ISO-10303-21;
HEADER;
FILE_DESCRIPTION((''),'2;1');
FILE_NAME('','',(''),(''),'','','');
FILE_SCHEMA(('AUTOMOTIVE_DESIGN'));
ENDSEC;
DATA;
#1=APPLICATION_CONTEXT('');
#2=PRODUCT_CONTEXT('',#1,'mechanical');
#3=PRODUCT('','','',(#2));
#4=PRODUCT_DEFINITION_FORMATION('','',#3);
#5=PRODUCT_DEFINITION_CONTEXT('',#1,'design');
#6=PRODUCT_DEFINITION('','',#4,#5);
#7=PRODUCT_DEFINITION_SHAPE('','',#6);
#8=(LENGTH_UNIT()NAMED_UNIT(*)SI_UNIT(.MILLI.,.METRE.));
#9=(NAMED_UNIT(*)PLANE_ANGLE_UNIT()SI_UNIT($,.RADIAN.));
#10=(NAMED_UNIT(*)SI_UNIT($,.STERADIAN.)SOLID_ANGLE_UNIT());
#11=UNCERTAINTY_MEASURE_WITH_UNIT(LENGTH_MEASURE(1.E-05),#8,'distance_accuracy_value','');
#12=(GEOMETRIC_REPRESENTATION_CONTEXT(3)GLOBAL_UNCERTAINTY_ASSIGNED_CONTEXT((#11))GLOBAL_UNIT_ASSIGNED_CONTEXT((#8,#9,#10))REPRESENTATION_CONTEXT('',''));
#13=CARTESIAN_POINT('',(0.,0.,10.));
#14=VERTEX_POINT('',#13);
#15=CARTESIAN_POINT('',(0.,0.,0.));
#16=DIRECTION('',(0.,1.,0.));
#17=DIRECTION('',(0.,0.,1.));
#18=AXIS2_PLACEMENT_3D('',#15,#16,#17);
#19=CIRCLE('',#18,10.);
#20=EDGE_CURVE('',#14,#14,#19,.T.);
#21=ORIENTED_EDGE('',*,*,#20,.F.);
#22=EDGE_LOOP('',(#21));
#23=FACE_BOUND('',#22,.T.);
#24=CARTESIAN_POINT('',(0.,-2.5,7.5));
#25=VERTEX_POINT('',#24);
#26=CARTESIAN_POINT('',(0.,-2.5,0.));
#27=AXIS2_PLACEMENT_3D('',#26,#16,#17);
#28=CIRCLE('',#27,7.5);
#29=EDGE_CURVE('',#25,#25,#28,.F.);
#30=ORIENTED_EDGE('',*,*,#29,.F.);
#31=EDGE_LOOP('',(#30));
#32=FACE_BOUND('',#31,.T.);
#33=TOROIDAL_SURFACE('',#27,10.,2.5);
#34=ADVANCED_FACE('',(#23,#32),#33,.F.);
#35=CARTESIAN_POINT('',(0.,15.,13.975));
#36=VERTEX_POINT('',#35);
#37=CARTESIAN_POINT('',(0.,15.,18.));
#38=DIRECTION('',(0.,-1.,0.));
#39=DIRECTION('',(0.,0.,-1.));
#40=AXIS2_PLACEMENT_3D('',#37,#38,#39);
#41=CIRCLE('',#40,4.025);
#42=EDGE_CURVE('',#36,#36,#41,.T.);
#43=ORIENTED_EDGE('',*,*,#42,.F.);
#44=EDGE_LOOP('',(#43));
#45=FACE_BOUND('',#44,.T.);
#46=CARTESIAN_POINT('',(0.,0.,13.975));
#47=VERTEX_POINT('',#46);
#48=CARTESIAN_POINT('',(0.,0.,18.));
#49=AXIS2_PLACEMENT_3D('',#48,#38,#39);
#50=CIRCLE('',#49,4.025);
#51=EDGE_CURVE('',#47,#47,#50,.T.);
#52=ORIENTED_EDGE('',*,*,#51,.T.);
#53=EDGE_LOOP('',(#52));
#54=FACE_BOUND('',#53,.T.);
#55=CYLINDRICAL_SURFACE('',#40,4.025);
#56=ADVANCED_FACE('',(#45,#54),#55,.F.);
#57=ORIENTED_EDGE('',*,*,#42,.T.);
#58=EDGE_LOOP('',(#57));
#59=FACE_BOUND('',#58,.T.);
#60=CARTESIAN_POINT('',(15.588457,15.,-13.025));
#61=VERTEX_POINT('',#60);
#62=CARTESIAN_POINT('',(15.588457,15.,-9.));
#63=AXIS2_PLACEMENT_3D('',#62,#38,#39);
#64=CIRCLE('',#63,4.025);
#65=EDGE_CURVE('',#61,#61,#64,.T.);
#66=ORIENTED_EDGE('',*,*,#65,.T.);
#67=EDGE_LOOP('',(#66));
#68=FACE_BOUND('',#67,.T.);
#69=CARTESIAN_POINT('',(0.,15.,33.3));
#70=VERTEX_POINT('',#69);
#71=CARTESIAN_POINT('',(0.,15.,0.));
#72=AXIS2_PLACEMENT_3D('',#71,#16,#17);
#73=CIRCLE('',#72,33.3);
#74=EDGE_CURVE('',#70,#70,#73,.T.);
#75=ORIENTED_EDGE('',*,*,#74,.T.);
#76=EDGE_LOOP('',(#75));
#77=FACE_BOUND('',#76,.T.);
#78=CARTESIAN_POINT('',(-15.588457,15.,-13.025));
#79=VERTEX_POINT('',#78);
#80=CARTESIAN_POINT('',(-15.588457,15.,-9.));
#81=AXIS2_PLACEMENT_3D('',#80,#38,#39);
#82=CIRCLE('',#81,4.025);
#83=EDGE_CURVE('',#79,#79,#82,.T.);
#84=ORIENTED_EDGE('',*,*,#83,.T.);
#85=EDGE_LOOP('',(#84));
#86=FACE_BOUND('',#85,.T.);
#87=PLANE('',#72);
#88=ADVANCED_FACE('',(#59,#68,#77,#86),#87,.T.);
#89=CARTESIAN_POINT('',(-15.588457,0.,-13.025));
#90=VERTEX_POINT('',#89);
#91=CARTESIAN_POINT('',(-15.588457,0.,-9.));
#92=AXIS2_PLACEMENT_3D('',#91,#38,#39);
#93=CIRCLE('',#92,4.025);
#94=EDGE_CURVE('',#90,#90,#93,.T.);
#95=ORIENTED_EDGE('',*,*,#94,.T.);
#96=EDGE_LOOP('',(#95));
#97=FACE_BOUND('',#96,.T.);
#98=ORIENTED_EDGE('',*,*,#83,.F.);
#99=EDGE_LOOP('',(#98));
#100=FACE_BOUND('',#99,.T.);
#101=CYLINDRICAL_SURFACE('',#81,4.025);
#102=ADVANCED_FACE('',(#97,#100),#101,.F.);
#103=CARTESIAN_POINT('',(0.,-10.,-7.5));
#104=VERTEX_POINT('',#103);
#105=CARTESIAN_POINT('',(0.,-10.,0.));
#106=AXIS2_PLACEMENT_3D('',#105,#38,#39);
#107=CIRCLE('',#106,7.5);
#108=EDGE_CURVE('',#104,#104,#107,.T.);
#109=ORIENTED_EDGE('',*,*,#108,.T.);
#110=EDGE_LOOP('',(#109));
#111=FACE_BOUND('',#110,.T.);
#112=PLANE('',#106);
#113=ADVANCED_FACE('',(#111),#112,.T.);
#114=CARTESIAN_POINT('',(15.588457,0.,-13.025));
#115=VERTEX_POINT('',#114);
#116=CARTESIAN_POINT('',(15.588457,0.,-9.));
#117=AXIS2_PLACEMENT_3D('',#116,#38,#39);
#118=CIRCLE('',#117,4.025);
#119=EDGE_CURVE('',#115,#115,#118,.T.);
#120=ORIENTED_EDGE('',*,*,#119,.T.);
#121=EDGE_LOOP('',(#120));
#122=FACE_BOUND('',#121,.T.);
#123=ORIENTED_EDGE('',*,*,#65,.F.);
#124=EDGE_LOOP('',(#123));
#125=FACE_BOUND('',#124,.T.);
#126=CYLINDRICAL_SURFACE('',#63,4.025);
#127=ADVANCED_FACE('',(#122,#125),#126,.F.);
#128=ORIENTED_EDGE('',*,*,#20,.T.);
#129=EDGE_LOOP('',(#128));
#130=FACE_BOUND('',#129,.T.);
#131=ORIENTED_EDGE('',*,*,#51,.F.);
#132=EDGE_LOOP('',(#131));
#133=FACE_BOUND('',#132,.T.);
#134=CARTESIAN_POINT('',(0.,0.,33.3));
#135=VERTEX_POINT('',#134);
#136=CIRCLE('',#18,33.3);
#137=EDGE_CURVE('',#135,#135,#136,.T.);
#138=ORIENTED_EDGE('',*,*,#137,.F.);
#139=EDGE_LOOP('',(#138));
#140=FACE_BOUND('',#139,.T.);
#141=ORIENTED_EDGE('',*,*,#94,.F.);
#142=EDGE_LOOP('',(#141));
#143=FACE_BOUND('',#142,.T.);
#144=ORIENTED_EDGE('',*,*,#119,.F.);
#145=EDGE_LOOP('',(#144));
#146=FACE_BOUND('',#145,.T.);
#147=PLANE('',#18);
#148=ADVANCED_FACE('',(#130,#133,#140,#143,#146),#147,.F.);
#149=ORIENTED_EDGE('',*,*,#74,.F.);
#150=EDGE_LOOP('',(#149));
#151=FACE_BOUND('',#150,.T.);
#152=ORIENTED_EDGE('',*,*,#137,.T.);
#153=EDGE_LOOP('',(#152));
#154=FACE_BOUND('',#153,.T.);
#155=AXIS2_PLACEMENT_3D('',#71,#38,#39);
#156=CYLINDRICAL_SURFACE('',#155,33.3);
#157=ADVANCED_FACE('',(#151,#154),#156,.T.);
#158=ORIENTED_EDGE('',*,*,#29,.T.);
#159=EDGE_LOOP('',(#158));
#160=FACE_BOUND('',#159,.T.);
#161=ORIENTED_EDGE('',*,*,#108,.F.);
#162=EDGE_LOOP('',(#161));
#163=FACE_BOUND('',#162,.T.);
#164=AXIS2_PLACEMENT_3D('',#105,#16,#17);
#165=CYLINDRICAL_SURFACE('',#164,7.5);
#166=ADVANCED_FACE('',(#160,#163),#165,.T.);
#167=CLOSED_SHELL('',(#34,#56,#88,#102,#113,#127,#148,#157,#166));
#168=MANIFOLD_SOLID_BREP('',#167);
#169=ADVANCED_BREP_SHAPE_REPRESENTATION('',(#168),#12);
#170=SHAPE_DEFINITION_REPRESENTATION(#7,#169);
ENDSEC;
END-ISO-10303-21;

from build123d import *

# Parameters (mm, degrees)
SKETCH4_R           = 33.3
BOSS_EXTRUDE2_DEPTH = 15
SKETCH5_R           = 4.025
CUT_EXTRUDE1_DEPTH  = 50.424487858
SKETCH6_R           = 7.5
BOSS_EXTRUDE3_DEPTH = 10
FILLET1_R           = 2.5


with BuildPart() as part:
    # Sketch4 → Boss-Extrude2 (new body)
    with BuildSketch(Plane(origin=(0, 0, 0), x_dir=(1, 0, 0), z_dir=(0, 1, 0))):
        with Locations(Location((0, 0, 0), (0, 0, 270))):
            Circle(SKETCH4_R)
    extrude(amount=BOSS_EXTRUDE2_DEPTH)

    # Sketch5 → Cut-Extrude1 (cut, through all)
    with BuildSketch(Plane.XZ):
        with Locations(Location((0, 18, 0), (0, 0, 270))):
            Circle(SKETCH5_R)
        with Locations(Location((15.588457268, -9, 0), (0, 0, 270))):
            Circle(SKETCH5_R)
        with Locations(Location((-15.588457268, -9, 0), (0, 0, 270))):
            Circle(SKETCH5_R)
    extrude(amount=-CUT_EXTRUDE1_DEPTH, mode=Mode.SUBTRACT)

    # Sketch6 → Boss-Extrude3 (add)
    with BuildSketch(Plane.XZ):
        with Locations(Location((0, 0, 0), (0, 0, 90))):
            Circle(SKETCH6_R)
    extrude(amount=BOSS_EXTRUDE3_DEPTH)

    # Fillet1
    fillet1_edges = [part.edges().sort_by_distance(p)[0] for p in [
        (0, 0, -7.5),
    ]]
    fillet(fillet1_edges, radius=FILLET1_R)


solid = part.part
